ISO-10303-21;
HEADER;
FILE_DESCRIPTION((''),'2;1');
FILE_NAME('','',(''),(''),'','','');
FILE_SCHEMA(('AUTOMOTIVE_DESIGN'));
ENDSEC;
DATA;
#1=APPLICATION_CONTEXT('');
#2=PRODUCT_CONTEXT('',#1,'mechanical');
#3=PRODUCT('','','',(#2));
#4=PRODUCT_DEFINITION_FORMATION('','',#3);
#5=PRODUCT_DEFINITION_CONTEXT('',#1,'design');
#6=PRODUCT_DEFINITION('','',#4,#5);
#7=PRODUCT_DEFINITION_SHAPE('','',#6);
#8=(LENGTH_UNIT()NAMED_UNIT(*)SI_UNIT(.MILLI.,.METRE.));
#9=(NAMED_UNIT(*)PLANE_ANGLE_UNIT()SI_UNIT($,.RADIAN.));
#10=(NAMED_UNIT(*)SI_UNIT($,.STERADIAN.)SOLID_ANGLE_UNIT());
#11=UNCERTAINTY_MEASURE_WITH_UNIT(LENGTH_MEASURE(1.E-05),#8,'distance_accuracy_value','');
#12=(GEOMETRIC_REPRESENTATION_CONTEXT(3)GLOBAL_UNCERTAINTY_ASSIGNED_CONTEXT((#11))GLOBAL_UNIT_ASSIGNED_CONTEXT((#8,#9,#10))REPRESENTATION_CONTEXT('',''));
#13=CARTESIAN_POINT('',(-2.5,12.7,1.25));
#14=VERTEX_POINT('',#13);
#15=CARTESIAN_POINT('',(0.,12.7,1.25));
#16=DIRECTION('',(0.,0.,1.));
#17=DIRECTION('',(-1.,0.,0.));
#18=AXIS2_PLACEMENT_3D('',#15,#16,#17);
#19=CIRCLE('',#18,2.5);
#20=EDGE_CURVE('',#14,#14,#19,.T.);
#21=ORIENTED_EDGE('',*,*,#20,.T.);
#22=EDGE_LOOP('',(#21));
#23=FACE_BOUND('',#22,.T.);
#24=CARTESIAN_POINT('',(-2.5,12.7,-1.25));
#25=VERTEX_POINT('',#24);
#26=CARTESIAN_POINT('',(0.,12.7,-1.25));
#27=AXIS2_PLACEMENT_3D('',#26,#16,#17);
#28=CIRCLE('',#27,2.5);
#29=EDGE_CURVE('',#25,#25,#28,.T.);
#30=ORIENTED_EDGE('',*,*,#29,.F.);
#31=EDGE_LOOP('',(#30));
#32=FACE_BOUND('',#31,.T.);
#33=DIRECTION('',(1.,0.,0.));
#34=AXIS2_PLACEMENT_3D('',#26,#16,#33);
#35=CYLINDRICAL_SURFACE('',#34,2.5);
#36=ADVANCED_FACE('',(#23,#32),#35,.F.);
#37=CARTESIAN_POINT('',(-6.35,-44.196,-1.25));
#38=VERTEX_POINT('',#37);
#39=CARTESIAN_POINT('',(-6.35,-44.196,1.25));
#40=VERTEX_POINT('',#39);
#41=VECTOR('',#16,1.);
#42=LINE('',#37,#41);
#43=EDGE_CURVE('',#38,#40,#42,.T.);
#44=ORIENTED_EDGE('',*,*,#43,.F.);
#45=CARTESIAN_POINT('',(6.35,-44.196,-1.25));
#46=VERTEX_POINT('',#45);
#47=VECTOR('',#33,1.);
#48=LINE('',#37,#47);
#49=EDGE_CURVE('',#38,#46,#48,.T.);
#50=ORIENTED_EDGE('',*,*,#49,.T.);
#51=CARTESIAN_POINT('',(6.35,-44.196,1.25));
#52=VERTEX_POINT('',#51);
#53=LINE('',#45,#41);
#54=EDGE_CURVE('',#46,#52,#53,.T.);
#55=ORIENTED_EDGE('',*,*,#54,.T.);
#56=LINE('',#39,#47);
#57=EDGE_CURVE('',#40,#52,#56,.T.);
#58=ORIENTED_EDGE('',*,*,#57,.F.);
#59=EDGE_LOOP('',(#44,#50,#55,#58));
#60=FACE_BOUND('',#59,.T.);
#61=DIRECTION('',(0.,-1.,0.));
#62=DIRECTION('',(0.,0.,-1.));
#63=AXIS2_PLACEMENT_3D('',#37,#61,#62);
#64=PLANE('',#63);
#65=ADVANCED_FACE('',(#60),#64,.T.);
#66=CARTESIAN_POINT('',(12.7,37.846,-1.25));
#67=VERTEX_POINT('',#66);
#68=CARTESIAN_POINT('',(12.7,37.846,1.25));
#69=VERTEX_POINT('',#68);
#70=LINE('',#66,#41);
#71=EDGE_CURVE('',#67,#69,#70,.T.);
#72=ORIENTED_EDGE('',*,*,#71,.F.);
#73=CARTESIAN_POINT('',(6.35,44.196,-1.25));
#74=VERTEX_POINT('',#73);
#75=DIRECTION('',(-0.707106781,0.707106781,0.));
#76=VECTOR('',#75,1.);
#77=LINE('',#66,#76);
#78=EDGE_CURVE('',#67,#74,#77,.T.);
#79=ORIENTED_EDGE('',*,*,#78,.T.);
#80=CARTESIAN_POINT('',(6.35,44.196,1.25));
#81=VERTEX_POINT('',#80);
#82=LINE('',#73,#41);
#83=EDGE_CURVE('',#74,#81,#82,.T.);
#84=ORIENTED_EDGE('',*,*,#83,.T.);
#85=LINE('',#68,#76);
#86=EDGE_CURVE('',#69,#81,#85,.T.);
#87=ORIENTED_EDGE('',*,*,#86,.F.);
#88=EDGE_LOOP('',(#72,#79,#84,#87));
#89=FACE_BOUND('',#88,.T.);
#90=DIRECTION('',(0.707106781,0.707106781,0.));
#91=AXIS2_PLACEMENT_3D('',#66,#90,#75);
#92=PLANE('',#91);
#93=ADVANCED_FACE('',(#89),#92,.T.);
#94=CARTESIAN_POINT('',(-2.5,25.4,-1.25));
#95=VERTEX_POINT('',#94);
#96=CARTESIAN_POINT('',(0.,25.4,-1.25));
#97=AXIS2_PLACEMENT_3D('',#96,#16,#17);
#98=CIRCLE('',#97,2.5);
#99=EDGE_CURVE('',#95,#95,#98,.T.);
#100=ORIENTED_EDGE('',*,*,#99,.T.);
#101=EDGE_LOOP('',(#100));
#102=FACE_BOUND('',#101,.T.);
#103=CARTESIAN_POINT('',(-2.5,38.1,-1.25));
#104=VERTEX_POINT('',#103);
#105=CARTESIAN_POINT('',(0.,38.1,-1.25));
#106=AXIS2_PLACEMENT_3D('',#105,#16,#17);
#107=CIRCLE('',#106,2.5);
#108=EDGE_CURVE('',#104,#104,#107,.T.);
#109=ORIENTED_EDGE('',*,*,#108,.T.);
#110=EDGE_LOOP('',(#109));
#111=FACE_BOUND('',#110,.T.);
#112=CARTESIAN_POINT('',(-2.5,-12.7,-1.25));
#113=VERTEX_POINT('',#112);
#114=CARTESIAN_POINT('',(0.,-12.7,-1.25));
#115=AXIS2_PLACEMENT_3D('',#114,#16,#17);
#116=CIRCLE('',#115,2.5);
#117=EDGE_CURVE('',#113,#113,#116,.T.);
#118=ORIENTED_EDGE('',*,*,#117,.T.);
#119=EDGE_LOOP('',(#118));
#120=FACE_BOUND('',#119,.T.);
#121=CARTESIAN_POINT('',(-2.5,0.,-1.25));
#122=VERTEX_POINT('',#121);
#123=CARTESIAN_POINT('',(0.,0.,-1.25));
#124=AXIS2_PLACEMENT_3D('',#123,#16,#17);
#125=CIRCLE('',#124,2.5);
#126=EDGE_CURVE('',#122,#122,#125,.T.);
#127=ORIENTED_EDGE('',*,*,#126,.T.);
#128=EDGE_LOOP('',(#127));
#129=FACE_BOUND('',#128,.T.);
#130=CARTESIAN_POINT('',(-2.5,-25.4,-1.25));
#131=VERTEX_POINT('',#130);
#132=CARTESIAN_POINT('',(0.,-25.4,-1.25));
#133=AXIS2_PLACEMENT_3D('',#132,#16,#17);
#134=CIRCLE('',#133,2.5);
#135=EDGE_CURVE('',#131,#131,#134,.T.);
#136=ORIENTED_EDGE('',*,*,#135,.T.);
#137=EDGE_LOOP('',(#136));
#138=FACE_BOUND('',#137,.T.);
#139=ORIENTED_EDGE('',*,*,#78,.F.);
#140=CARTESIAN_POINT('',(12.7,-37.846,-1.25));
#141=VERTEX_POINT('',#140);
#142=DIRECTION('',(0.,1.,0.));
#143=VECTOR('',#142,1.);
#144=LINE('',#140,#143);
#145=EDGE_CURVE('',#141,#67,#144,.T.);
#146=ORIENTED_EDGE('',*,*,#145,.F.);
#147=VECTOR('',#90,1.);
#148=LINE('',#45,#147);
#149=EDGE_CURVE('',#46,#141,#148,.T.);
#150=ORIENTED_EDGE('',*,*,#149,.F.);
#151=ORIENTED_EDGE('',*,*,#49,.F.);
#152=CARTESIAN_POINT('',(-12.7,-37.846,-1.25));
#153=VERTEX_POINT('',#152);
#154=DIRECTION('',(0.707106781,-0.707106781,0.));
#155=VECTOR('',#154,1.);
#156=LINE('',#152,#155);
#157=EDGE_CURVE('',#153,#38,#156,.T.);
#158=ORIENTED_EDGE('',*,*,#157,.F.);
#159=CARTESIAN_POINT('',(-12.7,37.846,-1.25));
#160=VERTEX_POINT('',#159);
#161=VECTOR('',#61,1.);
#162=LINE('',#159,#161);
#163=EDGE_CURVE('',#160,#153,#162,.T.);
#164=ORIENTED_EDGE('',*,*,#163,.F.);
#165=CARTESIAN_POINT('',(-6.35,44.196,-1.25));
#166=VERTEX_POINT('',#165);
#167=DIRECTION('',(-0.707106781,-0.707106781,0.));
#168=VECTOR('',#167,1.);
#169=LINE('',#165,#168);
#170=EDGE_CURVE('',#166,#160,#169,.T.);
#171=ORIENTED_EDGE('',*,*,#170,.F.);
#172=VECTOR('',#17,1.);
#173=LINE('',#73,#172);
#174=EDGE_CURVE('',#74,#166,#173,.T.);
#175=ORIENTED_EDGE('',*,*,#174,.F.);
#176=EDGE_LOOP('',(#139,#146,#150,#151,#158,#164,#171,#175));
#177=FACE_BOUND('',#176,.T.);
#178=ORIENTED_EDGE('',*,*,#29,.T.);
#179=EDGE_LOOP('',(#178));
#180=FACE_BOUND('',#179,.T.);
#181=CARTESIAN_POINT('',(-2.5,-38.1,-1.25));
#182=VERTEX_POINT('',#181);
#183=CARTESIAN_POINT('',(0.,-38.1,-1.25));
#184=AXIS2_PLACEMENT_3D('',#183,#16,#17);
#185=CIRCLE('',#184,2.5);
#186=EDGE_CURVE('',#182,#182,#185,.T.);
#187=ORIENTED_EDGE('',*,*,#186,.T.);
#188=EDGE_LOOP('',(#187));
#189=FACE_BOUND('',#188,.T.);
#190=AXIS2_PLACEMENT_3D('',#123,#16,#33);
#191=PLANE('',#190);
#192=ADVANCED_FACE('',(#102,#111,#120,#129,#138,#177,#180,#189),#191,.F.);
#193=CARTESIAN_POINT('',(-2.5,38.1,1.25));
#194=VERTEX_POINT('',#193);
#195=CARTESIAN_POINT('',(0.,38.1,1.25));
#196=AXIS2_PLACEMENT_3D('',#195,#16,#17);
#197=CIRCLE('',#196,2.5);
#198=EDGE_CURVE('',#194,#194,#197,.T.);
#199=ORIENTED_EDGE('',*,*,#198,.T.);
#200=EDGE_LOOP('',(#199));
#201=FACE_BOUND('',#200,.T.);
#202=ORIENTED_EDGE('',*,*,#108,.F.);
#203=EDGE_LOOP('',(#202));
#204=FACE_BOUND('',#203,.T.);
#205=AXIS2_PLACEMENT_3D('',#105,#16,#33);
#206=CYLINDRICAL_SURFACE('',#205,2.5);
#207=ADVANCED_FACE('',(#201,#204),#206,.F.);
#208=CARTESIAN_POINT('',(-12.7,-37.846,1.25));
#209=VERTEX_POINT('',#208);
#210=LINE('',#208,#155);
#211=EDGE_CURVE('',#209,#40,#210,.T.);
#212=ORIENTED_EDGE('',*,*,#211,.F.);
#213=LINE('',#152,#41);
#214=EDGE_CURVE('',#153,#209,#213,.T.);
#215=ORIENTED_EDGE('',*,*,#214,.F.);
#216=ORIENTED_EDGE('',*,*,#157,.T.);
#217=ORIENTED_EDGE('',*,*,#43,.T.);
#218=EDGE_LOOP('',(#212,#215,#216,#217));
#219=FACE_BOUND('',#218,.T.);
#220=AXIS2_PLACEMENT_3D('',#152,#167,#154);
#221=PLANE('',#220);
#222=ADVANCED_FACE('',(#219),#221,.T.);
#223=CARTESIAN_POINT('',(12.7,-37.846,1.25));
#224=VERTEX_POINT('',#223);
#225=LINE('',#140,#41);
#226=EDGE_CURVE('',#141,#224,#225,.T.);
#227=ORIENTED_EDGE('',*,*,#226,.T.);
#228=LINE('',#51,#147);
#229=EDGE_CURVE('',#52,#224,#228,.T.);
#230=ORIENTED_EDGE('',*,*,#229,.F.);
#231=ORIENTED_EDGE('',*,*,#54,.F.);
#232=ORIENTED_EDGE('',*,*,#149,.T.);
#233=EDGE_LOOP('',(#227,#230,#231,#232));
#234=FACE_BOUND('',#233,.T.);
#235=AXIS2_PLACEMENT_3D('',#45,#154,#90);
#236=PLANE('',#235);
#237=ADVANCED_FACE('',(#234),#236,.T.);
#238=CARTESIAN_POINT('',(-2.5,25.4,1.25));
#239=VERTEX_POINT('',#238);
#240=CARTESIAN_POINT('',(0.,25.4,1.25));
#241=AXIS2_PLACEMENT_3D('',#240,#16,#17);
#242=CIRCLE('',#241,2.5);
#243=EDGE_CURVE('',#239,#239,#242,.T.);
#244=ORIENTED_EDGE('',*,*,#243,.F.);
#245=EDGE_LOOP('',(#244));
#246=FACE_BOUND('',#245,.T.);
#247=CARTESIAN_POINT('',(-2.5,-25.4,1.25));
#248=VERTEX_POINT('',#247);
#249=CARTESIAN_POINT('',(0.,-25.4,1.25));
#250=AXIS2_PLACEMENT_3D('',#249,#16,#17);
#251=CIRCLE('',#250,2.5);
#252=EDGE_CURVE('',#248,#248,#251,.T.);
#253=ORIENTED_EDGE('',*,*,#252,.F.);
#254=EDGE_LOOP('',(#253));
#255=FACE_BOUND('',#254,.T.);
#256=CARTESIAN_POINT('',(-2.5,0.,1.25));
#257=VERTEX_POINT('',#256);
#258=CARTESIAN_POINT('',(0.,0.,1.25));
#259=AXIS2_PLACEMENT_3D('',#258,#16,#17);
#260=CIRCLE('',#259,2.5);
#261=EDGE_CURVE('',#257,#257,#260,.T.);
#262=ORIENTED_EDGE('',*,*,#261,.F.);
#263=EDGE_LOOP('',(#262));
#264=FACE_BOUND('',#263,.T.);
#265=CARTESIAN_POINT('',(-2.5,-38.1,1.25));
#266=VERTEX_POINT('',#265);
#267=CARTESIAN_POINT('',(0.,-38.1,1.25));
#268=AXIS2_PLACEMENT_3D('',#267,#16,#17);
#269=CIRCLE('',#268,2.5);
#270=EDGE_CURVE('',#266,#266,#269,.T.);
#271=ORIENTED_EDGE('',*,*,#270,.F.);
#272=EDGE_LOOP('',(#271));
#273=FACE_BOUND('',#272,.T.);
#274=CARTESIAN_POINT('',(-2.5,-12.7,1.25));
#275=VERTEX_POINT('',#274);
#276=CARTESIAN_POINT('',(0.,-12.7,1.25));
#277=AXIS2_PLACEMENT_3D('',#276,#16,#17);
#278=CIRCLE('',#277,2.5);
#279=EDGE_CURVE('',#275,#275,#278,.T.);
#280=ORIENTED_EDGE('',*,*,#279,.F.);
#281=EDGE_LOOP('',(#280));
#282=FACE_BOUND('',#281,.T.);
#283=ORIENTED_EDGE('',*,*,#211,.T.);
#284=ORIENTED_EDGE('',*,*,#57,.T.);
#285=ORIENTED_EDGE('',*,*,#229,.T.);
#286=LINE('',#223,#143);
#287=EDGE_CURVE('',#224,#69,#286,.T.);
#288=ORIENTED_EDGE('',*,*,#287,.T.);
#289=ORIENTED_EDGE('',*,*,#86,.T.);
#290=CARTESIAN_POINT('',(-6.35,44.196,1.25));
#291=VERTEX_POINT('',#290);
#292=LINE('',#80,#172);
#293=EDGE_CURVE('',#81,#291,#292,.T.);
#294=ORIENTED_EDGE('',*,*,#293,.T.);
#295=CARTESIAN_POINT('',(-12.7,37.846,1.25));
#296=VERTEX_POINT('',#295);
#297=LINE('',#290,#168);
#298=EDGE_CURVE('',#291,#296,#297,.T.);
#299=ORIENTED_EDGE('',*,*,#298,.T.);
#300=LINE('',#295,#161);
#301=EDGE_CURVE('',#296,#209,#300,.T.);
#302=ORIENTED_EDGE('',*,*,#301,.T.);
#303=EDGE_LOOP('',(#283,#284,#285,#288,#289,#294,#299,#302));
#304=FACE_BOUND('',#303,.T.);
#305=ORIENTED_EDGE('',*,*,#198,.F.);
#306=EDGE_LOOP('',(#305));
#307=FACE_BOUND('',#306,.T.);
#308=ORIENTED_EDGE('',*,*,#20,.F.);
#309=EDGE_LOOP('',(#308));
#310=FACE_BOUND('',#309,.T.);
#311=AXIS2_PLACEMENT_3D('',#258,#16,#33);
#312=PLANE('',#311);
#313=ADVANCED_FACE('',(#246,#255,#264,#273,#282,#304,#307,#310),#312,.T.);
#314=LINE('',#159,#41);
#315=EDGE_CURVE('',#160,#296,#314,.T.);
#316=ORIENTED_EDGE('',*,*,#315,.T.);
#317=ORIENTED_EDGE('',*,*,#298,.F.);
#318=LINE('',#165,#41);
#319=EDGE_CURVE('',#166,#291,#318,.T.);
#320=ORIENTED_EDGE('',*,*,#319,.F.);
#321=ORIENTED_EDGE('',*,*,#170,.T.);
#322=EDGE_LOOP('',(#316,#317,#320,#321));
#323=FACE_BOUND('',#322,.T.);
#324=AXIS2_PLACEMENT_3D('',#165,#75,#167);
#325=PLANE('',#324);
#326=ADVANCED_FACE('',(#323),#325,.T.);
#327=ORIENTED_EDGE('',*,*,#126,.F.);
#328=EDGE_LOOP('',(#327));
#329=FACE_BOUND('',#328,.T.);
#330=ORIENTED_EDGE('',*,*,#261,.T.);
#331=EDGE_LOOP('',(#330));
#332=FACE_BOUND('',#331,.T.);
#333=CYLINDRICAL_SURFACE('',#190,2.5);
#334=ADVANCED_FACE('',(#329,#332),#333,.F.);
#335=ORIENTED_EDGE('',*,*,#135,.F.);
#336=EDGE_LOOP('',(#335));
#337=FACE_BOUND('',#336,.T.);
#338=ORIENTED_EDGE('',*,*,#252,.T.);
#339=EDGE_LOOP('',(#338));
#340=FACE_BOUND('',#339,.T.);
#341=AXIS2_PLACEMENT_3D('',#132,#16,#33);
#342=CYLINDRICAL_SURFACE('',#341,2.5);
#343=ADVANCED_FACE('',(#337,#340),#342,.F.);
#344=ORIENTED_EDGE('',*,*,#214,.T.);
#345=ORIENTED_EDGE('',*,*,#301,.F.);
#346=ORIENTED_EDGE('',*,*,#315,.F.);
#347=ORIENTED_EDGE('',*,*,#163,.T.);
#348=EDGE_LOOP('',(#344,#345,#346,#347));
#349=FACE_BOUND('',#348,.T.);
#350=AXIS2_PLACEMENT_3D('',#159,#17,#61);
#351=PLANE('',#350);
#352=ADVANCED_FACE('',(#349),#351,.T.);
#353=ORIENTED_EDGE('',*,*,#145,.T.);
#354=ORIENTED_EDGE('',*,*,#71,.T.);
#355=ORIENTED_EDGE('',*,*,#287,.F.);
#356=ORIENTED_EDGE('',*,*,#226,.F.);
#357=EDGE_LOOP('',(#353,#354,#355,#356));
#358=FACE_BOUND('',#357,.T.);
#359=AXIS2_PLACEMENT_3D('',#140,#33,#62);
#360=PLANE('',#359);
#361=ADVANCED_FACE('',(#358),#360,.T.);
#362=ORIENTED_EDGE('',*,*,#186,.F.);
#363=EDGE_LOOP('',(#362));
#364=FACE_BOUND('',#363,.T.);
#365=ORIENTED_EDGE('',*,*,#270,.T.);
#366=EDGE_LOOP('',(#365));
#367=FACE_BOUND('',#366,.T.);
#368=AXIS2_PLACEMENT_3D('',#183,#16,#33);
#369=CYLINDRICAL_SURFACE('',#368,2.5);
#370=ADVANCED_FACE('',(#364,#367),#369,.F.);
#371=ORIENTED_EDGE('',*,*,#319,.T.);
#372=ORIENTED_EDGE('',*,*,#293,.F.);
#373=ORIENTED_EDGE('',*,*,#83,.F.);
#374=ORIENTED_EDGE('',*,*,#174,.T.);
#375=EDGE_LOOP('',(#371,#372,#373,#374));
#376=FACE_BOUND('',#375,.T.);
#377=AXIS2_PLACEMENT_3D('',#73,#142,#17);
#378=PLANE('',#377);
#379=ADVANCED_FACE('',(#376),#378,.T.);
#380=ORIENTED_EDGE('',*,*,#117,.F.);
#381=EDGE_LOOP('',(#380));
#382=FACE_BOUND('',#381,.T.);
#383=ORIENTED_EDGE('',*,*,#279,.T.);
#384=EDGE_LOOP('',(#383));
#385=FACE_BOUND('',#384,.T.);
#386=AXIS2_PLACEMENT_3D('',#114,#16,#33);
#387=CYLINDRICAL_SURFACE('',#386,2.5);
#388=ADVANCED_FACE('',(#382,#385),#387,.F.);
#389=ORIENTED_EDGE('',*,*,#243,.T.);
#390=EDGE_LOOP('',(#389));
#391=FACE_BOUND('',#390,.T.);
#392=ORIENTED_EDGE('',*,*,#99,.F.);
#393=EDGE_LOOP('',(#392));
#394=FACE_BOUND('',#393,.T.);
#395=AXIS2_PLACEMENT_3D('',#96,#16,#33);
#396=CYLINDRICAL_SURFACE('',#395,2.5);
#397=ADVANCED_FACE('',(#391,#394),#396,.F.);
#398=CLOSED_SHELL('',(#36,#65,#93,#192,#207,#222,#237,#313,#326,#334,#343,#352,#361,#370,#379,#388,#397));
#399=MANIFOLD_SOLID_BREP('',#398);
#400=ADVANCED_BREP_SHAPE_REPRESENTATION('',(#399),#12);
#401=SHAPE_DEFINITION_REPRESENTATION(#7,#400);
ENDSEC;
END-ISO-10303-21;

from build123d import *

# Parameters (mm, degrees)
SKETCH1_R           = 2.5
BOSS_EXTRUDE1_DEPTH = 2.5


with BuildPart() as part:
    # Sketch1 → Boss-Extrude1 (new body)
    with BuildSketch(Plane.XY.offset(1.25)):
        Polygon((-12.7, 37.846), (-12.7, -37.846), (-6.35, -44.196), (6.35, -44.196), (12.7, -37.846), (12.7, 37.846), (6.35, 44.196), (-6.35, 44.196), align=None)
        with Locations((0, -38.1)):
            Circle(SKETCH1_R, mode=Mode.SUBTRACT)
        with Locations((0, -25.4)):
            Circle(SKETCH1_R, mode=Mode.SUBTRACT)
        with Locations((0, -12.7)):
            Circle(SKETCH1_R, mode=Mode.SUBTRACT)
        Circle(SKETCH1_R, mode=Mode.SUBTRACT)
        with Locations((0, 12.7)):
            Circle(SKETCH1_R, mode=Mode.SUBTRACT)
        with Locations((0, 38.1)):
            Circle(SKETCH1_R, mode=Mode.SUBTRACT)
        with Locations((0, 25.4)):
            Circle(SKETCH1_R, mode=Mode.SUBTRACT)
    extrude(amount=-BOSS_EXTRUDE1_DEPTH)


solid = part.part
